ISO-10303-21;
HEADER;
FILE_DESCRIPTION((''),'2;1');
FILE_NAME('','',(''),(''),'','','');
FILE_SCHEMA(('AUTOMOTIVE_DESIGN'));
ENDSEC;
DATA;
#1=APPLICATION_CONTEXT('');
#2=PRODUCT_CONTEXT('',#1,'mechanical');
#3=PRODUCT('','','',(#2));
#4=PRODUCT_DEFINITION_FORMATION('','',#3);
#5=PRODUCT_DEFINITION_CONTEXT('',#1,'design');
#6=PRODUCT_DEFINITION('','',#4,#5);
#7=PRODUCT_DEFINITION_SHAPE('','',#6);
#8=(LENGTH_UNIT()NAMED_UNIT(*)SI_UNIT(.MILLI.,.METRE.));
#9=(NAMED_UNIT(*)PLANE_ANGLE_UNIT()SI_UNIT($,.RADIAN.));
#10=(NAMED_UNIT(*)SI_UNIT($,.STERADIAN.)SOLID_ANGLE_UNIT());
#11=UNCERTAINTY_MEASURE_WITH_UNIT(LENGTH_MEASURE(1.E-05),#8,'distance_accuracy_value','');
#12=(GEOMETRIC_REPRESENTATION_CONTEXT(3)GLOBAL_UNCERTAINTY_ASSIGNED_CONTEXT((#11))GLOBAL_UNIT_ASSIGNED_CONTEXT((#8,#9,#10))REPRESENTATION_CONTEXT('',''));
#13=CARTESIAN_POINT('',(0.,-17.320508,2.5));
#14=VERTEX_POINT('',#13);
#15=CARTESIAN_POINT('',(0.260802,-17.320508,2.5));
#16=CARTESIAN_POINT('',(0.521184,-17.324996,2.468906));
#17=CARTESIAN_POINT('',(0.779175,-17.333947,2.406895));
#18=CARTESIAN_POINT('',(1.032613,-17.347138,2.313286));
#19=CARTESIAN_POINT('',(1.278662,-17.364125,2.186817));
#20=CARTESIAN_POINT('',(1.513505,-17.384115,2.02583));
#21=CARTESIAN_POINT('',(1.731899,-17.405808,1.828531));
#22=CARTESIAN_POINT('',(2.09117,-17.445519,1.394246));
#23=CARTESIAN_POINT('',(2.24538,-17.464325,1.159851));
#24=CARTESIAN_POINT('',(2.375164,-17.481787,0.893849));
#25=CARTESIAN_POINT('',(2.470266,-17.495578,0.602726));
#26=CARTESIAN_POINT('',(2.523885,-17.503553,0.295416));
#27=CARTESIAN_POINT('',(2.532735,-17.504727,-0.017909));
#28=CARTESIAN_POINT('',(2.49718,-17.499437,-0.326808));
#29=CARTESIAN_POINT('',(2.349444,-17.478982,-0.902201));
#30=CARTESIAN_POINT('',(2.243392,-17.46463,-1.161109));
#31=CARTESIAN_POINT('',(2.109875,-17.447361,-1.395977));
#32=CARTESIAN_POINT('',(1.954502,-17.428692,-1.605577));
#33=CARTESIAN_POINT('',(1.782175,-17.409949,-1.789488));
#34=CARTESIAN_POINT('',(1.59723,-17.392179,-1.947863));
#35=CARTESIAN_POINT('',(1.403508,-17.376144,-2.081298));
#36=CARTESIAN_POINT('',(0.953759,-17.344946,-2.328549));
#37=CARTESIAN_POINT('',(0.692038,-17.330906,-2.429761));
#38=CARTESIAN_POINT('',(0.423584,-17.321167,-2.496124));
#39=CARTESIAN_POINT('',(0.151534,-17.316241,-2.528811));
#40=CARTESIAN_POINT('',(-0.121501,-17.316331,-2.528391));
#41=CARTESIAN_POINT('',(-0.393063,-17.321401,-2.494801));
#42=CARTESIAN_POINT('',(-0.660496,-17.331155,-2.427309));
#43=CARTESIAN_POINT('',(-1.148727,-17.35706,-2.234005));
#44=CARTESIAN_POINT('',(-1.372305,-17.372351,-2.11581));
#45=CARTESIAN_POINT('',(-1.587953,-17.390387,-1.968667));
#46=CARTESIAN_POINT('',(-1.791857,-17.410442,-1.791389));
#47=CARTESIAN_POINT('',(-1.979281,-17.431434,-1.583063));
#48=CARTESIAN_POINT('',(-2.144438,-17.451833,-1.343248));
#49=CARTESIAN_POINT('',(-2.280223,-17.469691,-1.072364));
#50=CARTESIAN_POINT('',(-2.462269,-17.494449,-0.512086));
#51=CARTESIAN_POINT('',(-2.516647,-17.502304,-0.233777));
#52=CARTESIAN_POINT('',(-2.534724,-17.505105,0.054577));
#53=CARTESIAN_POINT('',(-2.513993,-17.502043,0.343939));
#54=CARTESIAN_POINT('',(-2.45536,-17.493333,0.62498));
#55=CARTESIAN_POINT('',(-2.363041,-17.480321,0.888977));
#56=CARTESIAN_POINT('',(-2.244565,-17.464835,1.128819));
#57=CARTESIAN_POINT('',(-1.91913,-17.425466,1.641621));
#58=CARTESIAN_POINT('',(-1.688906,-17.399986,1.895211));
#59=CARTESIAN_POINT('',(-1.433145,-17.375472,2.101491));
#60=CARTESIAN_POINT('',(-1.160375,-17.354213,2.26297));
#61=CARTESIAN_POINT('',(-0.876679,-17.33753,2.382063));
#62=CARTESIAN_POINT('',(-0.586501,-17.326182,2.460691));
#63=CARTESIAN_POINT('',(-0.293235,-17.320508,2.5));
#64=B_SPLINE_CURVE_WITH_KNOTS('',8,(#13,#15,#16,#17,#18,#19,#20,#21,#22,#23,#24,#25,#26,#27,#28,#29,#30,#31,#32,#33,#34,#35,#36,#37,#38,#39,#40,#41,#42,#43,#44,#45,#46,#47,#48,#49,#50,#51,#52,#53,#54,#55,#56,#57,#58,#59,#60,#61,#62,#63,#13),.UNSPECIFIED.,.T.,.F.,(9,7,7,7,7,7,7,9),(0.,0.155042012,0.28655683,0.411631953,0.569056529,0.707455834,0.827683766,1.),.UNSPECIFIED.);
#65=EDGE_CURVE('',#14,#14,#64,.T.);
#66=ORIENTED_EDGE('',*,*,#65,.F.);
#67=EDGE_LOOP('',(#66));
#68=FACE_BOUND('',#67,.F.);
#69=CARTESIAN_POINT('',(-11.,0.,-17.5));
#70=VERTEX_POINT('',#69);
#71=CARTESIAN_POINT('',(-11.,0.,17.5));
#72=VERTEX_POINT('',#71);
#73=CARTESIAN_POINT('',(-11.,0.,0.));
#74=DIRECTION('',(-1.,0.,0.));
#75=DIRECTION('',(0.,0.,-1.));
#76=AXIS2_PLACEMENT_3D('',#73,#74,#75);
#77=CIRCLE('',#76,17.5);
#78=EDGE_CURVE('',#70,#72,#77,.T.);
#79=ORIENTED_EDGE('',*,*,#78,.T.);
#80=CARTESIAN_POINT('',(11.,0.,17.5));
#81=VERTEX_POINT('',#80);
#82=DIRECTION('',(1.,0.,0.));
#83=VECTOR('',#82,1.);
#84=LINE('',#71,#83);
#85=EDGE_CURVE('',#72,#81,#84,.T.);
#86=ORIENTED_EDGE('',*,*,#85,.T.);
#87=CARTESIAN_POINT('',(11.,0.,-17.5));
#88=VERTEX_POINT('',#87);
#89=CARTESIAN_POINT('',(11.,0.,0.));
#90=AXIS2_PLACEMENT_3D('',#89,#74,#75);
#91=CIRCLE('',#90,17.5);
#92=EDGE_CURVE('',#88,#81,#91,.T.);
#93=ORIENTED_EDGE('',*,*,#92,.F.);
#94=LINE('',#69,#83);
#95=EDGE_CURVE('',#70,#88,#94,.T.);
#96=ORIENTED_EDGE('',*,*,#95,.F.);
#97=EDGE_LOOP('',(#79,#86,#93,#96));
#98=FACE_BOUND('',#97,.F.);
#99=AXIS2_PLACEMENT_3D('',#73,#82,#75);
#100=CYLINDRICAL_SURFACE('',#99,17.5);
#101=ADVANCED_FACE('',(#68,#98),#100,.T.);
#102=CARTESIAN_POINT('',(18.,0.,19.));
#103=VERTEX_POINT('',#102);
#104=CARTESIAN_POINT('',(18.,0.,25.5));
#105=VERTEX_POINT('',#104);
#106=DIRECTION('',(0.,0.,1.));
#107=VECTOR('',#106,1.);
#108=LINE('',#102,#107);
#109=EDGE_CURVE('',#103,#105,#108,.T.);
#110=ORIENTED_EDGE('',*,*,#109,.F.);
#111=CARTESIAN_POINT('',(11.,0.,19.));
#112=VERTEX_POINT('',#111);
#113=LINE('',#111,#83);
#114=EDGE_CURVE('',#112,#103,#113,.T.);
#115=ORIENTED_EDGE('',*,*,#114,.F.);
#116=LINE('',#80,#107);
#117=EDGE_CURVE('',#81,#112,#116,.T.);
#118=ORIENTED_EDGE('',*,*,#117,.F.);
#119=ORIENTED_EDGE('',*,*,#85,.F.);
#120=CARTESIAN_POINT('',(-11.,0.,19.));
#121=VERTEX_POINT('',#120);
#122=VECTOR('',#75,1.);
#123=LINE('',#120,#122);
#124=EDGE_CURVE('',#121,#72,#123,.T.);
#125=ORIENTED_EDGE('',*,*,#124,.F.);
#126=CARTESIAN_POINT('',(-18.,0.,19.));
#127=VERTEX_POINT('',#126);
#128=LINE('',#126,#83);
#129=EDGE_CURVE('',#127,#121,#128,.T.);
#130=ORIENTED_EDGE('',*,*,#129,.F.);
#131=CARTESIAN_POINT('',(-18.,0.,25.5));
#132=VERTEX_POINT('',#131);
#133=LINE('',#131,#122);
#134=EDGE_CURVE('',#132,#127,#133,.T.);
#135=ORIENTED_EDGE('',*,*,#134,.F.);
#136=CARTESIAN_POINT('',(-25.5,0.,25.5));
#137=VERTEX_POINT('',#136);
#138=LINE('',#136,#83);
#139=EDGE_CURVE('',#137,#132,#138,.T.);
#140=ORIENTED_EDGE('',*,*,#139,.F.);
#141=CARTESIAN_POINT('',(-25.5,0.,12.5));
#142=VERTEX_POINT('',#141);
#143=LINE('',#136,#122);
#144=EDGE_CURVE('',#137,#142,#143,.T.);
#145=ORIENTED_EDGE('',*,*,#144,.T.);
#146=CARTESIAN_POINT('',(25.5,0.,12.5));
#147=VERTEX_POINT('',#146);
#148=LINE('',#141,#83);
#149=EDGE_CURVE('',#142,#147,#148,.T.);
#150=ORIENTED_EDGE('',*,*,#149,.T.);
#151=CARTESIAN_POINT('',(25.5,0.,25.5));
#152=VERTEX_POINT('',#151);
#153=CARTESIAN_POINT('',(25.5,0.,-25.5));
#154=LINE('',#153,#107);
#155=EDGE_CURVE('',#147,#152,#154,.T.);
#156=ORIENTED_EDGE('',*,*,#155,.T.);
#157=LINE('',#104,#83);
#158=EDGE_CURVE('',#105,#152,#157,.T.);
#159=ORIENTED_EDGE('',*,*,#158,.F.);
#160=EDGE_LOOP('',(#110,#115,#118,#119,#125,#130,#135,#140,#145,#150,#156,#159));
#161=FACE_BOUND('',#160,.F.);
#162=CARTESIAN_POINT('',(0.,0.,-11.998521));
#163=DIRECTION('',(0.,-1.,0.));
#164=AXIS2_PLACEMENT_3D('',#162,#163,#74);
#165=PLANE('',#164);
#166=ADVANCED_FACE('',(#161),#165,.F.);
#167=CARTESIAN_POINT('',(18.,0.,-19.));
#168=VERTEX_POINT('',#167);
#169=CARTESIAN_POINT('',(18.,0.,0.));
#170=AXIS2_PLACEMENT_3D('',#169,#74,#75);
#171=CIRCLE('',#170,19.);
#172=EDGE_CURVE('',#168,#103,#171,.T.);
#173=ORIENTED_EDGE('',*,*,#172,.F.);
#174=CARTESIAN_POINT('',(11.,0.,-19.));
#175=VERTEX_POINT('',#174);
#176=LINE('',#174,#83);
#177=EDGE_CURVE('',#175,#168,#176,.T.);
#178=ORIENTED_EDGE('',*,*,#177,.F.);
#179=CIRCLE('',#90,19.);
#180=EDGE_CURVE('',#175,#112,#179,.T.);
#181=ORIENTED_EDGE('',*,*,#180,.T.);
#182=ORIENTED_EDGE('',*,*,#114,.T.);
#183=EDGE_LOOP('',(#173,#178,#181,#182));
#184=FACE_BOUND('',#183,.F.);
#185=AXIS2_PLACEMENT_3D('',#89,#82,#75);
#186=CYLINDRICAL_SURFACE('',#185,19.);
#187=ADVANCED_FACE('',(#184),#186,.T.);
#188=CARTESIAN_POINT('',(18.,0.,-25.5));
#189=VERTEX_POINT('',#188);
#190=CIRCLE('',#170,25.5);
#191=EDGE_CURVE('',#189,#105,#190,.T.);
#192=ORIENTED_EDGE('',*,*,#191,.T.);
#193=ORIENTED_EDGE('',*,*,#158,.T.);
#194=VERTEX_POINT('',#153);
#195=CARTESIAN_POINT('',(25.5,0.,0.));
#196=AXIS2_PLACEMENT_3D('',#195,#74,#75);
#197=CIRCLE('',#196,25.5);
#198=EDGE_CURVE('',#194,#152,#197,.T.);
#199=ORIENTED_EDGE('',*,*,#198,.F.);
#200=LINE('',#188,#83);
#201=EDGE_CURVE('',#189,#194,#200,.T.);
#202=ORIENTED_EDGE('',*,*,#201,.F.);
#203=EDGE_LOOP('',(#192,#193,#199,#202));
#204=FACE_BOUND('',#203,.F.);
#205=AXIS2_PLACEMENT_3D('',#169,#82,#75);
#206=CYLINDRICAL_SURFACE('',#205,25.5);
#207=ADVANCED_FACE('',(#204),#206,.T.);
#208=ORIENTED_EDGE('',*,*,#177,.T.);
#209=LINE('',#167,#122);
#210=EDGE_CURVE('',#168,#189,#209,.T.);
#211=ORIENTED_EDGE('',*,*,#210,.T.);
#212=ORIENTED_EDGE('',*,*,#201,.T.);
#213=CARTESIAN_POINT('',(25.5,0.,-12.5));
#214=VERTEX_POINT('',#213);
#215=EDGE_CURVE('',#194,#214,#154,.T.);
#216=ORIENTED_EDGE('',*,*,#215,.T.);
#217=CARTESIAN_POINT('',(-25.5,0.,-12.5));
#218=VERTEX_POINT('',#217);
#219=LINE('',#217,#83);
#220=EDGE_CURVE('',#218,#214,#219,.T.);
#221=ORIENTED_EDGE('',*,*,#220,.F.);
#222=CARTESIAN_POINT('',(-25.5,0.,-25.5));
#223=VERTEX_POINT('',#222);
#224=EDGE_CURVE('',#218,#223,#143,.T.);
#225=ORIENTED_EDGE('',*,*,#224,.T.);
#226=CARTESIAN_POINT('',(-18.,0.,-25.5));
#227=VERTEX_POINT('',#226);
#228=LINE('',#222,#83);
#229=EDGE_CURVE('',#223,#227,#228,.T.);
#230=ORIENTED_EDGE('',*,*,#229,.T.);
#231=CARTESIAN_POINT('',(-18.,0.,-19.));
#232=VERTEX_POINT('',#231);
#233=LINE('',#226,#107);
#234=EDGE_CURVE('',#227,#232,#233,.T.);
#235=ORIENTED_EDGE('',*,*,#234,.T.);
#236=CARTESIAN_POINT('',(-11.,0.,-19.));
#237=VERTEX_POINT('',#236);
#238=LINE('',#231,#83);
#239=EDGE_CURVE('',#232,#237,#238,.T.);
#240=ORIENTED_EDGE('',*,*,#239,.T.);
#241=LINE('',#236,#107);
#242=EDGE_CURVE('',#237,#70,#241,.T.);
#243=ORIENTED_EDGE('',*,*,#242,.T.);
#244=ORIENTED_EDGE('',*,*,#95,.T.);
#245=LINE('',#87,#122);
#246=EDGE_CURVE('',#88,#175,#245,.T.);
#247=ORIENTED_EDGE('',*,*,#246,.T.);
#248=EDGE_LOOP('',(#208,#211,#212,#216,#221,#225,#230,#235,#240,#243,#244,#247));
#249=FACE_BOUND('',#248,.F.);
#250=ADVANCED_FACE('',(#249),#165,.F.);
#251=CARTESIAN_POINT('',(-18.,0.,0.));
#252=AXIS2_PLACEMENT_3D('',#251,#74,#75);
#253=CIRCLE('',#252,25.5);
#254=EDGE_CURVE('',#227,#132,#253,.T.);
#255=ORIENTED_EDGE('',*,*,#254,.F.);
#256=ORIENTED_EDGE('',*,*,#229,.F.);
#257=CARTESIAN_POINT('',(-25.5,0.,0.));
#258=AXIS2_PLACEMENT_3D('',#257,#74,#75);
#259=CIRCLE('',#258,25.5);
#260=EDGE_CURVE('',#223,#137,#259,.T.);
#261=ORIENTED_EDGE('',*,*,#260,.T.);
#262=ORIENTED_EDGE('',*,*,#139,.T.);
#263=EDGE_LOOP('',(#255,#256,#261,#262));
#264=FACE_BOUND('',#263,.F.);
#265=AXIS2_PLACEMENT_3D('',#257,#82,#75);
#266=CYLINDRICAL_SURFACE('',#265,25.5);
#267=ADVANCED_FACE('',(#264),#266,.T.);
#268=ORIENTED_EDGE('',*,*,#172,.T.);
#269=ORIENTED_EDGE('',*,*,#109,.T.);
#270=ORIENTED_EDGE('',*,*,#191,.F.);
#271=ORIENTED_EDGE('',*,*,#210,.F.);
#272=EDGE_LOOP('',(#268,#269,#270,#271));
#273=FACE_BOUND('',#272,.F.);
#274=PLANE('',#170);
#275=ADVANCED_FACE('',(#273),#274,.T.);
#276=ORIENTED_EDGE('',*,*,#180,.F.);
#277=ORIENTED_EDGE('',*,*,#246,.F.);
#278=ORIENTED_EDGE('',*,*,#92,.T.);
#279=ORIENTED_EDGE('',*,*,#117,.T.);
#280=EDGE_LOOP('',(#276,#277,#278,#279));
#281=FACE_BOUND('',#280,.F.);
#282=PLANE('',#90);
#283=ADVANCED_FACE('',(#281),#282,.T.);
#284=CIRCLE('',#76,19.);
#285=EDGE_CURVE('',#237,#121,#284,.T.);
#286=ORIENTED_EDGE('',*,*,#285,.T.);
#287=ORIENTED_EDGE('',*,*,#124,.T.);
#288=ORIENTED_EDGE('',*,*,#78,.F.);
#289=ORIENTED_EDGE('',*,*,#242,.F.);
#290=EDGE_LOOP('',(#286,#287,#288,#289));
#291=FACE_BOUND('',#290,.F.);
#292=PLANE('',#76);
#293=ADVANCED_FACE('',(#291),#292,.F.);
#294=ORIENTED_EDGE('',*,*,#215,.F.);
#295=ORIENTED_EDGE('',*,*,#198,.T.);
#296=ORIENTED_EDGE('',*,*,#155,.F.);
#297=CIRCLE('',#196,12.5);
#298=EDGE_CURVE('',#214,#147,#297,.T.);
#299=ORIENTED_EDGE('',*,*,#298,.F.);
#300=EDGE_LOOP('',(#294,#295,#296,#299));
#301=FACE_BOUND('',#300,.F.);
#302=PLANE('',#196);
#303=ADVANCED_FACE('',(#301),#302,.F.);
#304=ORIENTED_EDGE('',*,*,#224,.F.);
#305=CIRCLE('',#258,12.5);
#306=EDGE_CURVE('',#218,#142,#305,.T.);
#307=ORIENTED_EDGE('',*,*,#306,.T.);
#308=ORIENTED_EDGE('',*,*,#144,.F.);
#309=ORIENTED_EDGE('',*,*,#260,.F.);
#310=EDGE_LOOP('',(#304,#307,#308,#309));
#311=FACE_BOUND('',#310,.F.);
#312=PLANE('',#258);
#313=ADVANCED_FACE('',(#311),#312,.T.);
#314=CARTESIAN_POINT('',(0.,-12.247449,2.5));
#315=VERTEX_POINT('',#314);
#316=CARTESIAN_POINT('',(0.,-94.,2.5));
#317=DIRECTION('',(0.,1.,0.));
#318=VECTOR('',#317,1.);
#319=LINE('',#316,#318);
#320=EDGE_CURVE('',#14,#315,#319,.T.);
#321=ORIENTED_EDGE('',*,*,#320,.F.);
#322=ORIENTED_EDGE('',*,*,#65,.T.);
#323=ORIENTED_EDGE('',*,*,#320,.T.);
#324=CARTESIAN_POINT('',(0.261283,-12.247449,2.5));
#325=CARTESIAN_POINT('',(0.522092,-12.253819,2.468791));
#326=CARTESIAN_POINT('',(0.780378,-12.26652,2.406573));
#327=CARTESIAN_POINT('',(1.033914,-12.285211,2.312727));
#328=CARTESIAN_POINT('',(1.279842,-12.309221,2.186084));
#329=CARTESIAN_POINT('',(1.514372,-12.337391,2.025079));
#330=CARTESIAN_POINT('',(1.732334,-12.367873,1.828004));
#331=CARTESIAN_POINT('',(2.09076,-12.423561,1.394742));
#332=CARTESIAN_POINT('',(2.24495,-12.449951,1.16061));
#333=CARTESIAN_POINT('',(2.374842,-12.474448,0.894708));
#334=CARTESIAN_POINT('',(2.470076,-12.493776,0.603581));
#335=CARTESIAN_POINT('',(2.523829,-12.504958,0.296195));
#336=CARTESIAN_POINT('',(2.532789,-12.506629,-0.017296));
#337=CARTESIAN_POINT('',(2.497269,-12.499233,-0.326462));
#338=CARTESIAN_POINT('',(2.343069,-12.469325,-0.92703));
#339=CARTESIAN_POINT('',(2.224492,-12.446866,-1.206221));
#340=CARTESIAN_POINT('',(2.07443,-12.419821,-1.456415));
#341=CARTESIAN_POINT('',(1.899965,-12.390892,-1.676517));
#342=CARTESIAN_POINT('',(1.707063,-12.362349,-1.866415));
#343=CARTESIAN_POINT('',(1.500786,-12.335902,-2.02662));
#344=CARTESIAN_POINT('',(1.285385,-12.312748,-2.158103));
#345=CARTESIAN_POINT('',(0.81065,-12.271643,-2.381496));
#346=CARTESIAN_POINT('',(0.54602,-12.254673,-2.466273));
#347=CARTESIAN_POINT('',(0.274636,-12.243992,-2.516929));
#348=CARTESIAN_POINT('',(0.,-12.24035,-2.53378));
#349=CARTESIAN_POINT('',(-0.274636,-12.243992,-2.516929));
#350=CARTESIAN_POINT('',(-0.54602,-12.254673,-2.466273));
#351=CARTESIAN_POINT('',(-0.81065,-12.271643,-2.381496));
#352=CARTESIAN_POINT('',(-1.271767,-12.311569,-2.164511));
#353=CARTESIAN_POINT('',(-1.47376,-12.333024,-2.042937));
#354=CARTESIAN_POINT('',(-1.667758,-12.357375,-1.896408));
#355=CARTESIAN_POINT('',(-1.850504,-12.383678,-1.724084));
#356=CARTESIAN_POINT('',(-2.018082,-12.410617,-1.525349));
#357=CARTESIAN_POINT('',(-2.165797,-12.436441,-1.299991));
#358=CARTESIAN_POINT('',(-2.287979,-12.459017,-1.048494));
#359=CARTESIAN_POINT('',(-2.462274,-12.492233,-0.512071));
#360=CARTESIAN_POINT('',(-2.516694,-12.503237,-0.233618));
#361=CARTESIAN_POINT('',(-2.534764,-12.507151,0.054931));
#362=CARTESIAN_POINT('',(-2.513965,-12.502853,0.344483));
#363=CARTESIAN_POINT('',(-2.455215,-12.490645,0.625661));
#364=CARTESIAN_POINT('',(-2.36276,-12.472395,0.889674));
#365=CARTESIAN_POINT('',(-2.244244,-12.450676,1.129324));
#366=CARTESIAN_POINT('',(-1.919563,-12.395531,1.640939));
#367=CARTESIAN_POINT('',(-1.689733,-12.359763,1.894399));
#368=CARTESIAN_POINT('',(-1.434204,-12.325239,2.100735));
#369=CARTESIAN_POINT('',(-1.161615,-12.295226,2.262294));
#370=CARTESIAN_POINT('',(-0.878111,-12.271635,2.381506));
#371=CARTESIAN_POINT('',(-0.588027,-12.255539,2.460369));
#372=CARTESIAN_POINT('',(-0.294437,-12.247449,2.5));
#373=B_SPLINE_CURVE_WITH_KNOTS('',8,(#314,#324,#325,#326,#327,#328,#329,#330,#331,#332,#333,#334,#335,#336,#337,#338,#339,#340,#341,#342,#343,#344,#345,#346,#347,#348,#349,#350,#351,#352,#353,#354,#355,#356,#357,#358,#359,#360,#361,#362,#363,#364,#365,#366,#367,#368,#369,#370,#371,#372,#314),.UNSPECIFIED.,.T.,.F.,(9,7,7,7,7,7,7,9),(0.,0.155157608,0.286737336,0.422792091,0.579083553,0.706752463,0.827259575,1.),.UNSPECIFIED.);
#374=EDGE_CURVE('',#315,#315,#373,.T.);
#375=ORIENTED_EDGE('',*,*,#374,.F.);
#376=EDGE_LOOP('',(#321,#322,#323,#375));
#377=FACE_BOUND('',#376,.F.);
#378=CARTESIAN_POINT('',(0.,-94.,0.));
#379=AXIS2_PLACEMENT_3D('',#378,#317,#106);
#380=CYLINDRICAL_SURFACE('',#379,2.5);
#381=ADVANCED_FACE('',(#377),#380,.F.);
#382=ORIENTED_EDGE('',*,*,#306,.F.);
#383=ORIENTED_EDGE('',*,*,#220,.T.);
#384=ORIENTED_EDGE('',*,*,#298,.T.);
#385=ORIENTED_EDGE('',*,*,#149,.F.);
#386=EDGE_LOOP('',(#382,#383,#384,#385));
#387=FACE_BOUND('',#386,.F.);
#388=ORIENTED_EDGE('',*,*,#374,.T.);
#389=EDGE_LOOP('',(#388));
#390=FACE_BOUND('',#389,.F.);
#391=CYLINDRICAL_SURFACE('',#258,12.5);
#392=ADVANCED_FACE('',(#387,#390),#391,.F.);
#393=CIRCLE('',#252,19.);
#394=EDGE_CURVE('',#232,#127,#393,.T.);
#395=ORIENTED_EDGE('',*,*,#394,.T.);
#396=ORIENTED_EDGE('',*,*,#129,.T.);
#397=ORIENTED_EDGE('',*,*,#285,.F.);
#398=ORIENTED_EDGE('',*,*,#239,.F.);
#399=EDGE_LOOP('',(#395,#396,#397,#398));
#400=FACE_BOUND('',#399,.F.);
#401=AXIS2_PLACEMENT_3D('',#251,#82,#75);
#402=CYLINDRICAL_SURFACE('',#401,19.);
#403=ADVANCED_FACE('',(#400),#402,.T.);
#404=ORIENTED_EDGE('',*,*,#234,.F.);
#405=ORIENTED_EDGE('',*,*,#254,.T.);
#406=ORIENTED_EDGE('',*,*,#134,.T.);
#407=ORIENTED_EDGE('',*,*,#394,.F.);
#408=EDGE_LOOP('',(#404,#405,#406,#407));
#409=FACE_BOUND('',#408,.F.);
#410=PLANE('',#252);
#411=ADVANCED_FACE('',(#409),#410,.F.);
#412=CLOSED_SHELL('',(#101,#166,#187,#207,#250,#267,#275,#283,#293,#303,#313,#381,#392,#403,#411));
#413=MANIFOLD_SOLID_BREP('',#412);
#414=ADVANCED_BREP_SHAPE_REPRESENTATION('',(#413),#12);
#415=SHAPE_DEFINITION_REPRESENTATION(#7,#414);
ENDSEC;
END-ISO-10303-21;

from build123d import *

# Parameters (mm, degrees)
REVOLVE3_ANGLE           = 180
CUT_EXTRUDE1_DEPTH       = 52
F_6_0_6_DIAMETER_HOLE1_D = 5


with BuildPart() as part:
    # Sketch2 → Revolve3 (revolve)
    with BuildSketch(Plane(origin=(0, 0, 0), x_dir=(1, 0, 0), z_dir=(0, 1, 0))):
        Polygon((25.5, 0), (-25.5, 0), (-25.5, 25.5), (-18, 25.5), (-18, 19), (-11, 19), (-11, 17.5), (11, 17.5), (11, 19), (18, 19), (18, 25.5), (25.5, 25.5), align=None)
    revolve(axis=Axis((25.5, 0, 0), (-1, 0, 0)), revolution_arc=REVOLVE3_ANGLE)

    # Sketch3 → Cut-Extrude1 (cut, through all)
    with BuildSketch(Plane.ZY.offset(25.5)):
        with BuildLine():
            Line((12.5, 0), (-12.5, 0))
            ThreePointArc((-12.5, 0), (0, -12.5), (12.5, 0))
        make_face()
    extrude(amount=-CUT_EXTRUDE1_DEPTH, mode=Mode.SUBTRACT)

    # Ø6.0 (6) Diameter Hole1 (through all)
    with Locations(Plane(origin=(0, -17.5, 0), x_dir=(0, 0, -1), z_dir=(0, -1, 0))):
        with Locations((0, 0)):
            Hole(F_6_0_6_DIAMETER_HOLE1_D / 2)


solid = part.part
